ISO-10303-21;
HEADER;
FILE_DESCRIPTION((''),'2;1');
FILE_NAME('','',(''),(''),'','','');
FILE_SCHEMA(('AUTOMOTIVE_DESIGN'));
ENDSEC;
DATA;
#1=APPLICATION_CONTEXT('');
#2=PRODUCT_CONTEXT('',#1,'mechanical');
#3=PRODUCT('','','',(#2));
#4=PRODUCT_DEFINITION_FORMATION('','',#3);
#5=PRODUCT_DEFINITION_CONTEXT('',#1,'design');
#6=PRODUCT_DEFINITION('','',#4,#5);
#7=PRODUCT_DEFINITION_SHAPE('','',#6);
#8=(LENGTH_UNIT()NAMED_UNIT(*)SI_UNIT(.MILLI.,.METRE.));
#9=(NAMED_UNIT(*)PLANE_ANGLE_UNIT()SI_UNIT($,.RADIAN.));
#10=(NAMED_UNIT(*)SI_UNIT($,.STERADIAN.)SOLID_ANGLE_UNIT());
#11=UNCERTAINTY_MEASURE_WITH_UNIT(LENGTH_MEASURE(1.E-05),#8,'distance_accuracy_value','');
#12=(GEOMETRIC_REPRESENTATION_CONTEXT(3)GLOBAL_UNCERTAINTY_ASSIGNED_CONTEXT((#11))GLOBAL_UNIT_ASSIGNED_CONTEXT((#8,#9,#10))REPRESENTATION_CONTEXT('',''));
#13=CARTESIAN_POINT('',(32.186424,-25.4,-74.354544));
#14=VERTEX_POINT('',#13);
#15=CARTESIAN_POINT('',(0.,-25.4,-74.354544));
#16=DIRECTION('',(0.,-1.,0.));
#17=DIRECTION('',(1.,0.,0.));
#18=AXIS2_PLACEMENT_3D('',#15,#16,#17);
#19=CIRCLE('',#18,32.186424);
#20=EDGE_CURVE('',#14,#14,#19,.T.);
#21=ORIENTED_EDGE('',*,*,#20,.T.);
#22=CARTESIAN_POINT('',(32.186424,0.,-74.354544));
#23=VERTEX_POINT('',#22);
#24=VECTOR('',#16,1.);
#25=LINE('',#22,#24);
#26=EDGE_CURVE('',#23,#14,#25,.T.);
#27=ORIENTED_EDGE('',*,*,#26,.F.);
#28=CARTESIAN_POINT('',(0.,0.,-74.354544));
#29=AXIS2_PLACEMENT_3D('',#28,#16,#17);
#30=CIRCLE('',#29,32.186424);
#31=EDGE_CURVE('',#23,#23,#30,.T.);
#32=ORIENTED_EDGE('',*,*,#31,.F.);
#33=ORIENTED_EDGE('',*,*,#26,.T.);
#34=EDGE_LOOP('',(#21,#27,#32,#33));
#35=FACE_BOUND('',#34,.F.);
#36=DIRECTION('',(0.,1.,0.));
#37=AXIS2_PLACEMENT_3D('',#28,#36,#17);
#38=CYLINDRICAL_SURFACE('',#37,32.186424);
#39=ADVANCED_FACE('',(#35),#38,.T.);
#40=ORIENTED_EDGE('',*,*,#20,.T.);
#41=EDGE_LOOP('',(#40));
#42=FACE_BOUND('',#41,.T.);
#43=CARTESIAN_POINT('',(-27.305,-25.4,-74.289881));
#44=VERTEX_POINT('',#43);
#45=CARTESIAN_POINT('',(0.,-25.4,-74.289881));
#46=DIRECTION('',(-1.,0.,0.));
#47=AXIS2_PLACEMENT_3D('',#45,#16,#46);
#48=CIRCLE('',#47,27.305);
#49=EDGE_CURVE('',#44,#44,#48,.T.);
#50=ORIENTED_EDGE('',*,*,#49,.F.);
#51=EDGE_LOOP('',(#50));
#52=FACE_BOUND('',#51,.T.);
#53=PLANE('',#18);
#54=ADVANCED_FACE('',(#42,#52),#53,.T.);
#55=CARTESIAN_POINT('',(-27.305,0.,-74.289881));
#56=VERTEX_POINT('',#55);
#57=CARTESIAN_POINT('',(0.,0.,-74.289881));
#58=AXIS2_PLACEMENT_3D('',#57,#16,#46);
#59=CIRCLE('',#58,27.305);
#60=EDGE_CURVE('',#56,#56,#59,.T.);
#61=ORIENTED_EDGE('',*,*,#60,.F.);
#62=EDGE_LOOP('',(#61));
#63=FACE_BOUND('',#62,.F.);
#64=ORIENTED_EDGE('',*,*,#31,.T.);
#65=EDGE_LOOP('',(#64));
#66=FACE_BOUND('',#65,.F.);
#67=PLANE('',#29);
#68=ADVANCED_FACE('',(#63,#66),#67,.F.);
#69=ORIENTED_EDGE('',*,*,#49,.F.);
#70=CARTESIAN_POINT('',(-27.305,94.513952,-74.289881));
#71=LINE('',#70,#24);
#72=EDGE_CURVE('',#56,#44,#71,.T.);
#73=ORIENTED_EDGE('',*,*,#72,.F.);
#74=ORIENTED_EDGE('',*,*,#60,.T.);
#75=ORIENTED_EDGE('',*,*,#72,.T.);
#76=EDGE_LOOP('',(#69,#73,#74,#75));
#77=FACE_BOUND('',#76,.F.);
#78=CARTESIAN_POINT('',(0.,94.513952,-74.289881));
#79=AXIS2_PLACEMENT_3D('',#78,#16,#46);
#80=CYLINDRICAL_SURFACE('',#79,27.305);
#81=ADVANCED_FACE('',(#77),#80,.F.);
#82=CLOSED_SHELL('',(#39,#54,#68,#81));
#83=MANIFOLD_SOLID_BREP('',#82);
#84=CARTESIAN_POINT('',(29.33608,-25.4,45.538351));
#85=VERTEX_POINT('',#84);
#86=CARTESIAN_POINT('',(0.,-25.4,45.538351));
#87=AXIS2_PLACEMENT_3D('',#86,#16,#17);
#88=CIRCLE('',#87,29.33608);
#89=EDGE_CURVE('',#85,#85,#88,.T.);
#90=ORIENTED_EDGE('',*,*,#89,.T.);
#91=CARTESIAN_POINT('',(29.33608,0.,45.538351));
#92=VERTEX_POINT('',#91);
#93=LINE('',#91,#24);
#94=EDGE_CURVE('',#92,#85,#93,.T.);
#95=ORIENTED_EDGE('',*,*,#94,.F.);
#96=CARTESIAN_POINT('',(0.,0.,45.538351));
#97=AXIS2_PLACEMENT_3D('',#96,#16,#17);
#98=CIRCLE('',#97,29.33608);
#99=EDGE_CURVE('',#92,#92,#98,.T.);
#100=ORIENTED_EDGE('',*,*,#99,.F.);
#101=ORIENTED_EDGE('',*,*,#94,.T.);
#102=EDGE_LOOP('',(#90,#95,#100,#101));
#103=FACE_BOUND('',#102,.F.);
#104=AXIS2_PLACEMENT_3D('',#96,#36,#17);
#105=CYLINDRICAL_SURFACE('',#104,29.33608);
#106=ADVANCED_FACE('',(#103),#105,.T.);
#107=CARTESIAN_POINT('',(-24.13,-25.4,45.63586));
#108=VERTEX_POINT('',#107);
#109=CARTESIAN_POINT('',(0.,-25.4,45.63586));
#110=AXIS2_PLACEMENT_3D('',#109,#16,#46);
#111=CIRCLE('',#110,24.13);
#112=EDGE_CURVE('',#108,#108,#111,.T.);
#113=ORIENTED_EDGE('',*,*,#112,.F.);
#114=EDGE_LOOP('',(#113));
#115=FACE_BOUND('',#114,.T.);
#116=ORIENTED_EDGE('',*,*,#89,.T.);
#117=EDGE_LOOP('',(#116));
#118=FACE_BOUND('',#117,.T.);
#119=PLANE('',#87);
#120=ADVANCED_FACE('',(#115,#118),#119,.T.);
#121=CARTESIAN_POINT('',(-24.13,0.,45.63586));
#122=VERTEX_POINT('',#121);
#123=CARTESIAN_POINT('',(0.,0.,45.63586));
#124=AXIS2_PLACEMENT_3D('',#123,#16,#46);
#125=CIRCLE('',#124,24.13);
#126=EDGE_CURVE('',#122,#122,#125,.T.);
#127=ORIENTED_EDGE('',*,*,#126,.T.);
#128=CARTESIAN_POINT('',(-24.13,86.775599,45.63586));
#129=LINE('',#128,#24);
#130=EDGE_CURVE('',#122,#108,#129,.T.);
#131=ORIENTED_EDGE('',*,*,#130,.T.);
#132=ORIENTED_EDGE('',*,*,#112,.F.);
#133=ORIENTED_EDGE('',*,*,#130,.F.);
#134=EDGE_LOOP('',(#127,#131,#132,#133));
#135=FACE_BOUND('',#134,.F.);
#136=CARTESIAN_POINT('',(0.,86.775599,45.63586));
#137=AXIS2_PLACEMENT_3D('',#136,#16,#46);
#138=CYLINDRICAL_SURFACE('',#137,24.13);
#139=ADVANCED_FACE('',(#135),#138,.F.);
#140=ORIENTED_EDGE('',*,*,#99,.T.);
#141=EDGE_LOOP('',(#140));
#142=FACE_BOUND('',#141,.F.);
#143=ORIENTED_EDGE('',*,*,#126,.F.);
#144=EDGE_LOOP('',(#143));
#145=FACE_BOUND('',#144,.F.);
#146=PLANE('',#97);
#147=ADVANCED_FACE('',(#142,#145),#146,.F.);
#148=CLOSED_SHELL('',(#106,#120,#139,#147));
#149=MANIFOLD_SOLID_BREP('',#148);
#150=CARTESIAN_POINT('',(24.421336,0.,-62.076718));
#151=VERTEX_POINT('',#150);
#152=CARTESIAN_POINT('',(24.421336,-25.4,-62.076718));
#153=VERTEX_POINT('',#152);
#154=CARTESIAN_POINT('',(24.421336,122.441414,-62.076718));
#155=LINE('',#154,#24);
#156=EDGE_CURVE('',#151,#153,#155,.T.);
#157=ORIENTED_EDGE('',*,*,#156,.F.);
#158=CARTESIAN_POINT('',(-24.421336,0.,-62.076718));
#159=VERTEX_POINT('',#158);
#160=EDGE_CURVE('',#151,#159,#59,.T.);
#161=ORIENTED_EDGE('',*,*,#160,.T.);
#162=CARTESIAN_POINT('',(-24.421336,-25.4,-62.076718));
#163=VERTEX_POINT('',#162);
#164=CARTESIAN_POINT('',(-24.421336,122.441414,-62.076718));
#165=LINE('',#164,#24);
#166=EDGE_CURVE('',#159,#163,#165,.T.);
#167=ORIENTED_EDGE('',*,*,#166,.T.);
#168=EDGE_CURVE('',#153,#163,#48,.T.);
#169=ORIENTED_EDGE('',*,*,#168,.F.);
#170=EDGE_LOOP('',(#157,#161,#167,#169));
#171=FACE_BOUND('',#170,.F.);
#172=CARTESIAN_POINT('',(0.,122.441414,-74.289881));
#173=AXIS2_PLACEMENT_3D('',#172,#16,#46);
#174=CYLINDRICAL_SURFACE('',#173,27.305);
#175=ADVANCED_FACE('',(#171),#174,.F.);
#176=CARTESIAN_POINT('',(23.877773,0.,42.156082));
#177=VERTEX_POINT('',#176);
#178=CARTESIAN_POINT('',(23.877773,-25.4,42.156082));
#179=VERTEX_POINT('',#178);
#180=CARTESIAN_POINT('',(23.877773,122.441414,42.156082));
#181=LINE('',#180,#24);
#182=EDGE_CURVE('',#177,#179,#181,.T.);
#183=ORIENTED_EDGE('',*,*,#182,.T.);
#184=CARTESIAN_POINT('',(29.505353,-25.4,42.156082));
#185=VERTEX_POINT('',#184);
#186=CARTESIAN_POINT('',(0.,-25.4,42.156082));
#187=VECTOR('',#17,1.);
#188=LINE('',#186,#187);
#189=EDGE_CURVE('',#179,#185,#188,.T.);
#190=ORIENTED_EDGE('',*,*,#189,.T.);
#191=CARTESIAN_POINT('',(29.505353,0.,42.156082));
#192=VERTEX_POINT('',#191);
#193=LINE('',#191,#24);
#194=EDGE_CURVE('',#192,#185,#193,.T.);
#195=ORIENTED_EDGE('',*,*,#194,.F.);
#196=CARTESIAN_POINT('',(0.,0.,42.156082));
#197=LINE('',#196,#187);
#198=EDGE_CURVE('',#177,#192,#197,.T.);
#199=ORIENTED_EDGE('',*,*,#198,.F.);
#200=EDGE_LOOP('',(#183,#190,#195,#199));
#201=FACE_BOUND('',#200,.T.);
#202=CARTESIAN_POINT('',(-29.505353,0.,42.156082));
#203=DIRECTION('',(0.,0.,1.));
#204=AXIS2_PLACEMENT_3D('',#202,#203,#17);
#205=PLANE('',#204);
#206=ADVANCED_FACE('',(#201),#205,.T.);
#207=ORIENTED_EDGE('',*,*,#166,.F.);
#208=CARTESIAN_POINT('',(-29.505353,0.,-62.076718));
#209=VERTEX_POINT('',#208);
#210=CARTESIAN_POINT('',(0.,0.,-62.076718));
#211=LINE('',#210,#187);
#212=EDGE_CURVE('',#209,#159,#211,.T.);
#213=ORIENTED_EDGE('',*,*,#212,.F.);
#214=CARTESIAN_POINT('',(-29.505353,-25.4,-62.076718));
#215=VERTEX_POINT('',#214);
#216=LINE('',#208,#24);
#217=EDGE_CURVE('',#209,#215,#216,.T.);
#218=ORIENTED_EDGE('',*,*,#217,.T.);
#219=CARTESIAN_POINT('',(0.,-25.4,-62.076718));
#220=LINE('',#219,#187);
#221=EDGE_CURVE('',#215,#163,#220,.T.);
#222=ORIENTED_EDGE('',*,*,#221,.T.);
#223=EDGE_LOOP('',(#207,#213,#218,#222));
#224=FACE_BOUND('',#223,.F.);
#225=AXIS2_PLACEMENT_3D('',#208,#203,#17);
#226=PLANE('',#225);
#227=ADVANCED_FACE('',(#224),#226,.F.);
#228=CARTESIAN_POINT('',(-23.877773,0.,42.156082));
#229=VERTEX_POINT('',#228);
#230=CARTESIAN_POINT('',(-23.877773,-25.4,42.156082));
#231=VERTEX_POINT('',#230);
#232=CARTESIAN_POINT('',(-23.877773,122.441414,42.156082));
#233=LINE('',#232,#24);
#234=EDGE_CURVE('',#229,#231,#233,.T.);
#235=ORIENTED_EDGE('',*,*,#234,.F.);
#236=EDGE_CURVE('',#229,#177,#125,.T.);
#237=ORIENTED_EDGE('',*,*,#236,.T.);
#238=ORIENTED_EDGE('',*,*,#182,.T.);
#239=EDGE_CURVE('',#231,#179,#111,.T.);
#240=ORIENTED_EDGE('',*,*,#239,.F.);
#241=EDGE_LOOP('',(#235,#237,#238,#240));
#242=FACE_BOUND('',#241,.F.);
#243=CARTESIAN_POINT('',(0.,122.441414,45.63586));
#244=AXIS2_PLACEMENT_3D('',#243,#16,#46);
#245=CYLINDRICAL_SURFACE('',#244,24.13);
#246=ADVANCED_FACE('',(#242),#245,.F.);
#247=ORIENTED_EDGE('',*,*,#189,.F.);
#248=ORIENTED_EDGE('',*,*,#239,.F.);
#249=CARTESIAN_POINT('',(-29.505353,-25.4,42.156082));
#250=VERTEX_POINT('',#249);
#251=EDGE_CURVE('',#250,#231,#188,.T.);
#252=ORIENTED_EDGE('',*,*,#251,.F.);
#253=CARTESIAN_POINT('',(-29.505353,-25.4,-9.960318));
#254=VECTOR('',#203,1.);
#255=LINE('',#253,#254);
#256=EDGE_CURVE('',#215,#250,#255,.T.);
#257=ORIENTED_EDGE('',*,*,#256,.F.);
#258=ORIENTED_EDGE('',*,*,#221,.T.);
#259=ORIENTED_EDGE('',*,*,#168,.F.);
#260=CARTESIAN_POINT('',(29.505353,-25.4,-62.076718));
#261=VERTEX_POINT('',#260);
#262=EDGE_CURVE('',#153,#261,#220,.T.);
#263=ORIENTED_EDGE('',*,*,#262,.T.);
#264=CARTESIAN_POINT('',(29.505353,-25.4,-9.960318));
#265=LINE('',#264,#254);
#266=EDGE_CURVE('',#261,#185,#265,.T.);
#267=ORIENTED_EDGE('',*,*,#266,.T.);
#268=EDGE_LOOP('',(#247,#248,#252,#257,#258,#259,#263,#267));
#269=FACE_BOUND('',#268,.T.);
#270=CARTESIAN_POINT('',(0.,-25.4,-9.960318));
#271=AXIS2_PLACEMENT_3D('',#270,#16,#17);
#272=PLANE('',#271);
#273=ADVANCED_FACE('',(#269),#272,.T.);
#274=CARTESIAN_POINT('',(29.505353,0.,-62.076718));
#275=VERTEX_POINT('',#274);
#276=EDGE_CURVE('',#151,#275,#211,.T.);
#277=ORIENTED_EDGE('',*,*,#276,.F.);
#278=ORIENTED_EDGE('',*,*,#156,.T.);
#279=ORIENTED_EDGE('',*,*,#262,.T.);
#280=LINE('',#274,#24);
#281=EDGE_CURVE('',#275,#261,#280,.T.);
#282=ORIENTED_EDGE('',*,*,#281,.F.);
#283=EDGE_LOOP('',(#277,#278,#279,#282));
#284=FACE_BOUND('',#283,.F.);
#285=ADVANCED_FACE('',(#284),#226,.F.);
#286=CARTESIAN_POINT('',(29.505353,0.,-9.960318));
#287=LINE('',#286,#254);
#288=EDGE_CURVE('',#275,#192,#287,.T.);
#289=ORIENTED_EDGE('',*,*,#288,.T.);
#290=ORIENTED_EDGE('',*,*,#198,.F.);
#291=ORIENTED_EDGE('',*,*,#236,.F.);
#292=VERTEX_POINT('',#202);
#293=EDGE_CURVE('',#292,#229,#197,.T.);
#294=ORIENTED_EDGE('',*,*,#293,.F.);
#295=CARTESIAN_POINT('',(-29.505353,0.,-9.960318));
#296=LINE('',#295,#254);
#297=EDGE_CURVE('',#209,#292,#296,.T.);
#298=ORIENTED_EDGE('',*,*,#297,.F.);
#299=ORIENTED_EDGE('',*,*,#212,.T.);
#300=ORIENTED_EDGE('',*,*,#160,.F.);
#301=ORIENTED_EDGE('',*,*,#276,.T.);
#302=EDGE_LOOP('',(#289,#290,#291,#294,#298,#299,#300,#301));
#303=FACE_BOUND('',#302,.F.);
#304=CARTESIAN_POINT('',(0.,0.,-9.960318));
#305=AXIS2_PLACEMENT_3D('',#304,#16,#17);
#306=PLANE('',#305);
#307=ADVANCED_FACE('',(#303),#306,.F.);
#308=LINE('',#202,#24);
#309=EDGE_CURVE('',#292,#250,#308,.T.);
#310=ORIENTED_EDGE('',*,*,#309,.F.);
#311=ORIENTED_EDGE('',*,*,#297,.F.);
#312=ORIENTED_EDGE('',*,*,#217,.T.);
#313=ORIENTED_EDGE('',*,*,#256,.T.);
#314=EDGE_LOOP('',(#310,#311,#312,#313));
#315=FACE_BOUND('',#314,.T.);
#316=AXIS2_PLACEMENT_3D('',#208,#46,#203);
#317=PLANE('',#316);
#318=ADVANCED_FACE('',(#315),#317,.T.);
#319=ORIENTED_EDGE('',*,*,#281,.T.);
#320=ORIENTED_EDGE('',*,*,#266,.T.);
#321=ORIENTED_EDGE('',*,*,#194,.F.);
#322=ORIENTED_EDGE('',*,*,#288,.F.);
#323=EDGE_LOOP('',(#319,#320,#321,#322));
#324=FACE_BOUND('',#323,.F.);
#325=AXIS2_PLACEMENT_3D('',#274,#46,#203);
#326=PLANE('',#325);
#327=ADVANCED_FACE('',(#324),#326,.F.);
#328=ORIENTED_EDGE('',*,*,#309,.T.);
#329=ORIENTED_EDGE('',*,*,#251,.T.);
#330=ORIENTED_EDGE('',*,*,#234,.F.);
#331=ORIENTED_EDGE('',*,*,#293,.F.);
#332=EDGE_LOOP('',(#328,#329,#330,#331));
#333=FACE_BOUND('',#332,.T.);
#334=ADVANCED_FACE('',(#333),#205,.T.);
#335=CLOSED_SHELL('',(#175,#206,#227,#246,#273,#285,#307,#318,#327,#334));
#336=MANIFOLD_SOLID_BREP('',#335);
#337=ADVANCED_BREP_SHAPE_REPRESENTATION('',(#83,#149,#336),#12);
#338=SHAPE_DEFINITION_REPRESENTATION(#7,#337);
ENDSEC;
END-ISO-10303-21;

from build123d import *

# Parameters (mm, degrees)
F0_R     = 29.3360795895
F3_DEPTH = 25.4
F0_R_2   = 32.1864241751
F1_W     = 59.0107068419
F1_H     = 104.2327992618
F5_D     = 54.61
F5_2_D   = 54.61
F6_D     = 48.26
F6_2_D   = 48.26


with BuildPart() as f3:
    # F0 (on Front) → F3 (new body)
    with BuildSketch(Plane.XZ):
        with Locations((0, 45.5383509398)):
            Circle(F0_R)
    extrude(amount=F3_DEPTH)

    # F6 (through all)
    with Locations(Plane(origin=(0, 0, 0), x_dir=(1, 0, 0), z_dir=(0, 1, 0))):
        with Locations((0, -45.6358604133)):
            Hole(F6_D / 2)


with BuildPart() as f3b:
    # F0 (on Front) → F3, piece 2 (new body)
    with BuildSketch(Plane.XZ):
        with Locations((0, -74.354544282)):
            Circle(F0_R_2)
    extrude(amount=F3_DEPTH)

    # F5 (through all)
    with Locations(Plane(origin=(0, 0, 0), x_dir=(1, 0, 0), z_dir=(0, 1, 0))):
        with Locations((0, 74.289880693)):
            Hole(F5_D / 2)


with BuildPart() as f3c:
    # F1 (on Front) → F3, piece 3 (new body)
    with BuildSketch(Plane.XZ):
        with Locations((0, -9.9603179842)):
            Rectangle(F1_W, F1_H)
    extrude(amount=F3_DEPTH)

    # F5#2 (through all)
    with Locations(Plane(origin=(0, 0, 0), x_dir=(1, 0, 0), z_dir=(0, 1, 0))):
        with Locations((0, 74.289880693)):
            Hole(F5_2_D / 2)

    # F6#2 (through all)
    with Locations(Plane(origin=(0, 0, 0), x_dir=(1, 0, 0), z_dir=(0, 1, 0))):
        with Locations((0, -45.6358604133)):
            Hole(F6_2_D / 2)


solid = Compound([f3.part, f3b.part, f3c.part])
